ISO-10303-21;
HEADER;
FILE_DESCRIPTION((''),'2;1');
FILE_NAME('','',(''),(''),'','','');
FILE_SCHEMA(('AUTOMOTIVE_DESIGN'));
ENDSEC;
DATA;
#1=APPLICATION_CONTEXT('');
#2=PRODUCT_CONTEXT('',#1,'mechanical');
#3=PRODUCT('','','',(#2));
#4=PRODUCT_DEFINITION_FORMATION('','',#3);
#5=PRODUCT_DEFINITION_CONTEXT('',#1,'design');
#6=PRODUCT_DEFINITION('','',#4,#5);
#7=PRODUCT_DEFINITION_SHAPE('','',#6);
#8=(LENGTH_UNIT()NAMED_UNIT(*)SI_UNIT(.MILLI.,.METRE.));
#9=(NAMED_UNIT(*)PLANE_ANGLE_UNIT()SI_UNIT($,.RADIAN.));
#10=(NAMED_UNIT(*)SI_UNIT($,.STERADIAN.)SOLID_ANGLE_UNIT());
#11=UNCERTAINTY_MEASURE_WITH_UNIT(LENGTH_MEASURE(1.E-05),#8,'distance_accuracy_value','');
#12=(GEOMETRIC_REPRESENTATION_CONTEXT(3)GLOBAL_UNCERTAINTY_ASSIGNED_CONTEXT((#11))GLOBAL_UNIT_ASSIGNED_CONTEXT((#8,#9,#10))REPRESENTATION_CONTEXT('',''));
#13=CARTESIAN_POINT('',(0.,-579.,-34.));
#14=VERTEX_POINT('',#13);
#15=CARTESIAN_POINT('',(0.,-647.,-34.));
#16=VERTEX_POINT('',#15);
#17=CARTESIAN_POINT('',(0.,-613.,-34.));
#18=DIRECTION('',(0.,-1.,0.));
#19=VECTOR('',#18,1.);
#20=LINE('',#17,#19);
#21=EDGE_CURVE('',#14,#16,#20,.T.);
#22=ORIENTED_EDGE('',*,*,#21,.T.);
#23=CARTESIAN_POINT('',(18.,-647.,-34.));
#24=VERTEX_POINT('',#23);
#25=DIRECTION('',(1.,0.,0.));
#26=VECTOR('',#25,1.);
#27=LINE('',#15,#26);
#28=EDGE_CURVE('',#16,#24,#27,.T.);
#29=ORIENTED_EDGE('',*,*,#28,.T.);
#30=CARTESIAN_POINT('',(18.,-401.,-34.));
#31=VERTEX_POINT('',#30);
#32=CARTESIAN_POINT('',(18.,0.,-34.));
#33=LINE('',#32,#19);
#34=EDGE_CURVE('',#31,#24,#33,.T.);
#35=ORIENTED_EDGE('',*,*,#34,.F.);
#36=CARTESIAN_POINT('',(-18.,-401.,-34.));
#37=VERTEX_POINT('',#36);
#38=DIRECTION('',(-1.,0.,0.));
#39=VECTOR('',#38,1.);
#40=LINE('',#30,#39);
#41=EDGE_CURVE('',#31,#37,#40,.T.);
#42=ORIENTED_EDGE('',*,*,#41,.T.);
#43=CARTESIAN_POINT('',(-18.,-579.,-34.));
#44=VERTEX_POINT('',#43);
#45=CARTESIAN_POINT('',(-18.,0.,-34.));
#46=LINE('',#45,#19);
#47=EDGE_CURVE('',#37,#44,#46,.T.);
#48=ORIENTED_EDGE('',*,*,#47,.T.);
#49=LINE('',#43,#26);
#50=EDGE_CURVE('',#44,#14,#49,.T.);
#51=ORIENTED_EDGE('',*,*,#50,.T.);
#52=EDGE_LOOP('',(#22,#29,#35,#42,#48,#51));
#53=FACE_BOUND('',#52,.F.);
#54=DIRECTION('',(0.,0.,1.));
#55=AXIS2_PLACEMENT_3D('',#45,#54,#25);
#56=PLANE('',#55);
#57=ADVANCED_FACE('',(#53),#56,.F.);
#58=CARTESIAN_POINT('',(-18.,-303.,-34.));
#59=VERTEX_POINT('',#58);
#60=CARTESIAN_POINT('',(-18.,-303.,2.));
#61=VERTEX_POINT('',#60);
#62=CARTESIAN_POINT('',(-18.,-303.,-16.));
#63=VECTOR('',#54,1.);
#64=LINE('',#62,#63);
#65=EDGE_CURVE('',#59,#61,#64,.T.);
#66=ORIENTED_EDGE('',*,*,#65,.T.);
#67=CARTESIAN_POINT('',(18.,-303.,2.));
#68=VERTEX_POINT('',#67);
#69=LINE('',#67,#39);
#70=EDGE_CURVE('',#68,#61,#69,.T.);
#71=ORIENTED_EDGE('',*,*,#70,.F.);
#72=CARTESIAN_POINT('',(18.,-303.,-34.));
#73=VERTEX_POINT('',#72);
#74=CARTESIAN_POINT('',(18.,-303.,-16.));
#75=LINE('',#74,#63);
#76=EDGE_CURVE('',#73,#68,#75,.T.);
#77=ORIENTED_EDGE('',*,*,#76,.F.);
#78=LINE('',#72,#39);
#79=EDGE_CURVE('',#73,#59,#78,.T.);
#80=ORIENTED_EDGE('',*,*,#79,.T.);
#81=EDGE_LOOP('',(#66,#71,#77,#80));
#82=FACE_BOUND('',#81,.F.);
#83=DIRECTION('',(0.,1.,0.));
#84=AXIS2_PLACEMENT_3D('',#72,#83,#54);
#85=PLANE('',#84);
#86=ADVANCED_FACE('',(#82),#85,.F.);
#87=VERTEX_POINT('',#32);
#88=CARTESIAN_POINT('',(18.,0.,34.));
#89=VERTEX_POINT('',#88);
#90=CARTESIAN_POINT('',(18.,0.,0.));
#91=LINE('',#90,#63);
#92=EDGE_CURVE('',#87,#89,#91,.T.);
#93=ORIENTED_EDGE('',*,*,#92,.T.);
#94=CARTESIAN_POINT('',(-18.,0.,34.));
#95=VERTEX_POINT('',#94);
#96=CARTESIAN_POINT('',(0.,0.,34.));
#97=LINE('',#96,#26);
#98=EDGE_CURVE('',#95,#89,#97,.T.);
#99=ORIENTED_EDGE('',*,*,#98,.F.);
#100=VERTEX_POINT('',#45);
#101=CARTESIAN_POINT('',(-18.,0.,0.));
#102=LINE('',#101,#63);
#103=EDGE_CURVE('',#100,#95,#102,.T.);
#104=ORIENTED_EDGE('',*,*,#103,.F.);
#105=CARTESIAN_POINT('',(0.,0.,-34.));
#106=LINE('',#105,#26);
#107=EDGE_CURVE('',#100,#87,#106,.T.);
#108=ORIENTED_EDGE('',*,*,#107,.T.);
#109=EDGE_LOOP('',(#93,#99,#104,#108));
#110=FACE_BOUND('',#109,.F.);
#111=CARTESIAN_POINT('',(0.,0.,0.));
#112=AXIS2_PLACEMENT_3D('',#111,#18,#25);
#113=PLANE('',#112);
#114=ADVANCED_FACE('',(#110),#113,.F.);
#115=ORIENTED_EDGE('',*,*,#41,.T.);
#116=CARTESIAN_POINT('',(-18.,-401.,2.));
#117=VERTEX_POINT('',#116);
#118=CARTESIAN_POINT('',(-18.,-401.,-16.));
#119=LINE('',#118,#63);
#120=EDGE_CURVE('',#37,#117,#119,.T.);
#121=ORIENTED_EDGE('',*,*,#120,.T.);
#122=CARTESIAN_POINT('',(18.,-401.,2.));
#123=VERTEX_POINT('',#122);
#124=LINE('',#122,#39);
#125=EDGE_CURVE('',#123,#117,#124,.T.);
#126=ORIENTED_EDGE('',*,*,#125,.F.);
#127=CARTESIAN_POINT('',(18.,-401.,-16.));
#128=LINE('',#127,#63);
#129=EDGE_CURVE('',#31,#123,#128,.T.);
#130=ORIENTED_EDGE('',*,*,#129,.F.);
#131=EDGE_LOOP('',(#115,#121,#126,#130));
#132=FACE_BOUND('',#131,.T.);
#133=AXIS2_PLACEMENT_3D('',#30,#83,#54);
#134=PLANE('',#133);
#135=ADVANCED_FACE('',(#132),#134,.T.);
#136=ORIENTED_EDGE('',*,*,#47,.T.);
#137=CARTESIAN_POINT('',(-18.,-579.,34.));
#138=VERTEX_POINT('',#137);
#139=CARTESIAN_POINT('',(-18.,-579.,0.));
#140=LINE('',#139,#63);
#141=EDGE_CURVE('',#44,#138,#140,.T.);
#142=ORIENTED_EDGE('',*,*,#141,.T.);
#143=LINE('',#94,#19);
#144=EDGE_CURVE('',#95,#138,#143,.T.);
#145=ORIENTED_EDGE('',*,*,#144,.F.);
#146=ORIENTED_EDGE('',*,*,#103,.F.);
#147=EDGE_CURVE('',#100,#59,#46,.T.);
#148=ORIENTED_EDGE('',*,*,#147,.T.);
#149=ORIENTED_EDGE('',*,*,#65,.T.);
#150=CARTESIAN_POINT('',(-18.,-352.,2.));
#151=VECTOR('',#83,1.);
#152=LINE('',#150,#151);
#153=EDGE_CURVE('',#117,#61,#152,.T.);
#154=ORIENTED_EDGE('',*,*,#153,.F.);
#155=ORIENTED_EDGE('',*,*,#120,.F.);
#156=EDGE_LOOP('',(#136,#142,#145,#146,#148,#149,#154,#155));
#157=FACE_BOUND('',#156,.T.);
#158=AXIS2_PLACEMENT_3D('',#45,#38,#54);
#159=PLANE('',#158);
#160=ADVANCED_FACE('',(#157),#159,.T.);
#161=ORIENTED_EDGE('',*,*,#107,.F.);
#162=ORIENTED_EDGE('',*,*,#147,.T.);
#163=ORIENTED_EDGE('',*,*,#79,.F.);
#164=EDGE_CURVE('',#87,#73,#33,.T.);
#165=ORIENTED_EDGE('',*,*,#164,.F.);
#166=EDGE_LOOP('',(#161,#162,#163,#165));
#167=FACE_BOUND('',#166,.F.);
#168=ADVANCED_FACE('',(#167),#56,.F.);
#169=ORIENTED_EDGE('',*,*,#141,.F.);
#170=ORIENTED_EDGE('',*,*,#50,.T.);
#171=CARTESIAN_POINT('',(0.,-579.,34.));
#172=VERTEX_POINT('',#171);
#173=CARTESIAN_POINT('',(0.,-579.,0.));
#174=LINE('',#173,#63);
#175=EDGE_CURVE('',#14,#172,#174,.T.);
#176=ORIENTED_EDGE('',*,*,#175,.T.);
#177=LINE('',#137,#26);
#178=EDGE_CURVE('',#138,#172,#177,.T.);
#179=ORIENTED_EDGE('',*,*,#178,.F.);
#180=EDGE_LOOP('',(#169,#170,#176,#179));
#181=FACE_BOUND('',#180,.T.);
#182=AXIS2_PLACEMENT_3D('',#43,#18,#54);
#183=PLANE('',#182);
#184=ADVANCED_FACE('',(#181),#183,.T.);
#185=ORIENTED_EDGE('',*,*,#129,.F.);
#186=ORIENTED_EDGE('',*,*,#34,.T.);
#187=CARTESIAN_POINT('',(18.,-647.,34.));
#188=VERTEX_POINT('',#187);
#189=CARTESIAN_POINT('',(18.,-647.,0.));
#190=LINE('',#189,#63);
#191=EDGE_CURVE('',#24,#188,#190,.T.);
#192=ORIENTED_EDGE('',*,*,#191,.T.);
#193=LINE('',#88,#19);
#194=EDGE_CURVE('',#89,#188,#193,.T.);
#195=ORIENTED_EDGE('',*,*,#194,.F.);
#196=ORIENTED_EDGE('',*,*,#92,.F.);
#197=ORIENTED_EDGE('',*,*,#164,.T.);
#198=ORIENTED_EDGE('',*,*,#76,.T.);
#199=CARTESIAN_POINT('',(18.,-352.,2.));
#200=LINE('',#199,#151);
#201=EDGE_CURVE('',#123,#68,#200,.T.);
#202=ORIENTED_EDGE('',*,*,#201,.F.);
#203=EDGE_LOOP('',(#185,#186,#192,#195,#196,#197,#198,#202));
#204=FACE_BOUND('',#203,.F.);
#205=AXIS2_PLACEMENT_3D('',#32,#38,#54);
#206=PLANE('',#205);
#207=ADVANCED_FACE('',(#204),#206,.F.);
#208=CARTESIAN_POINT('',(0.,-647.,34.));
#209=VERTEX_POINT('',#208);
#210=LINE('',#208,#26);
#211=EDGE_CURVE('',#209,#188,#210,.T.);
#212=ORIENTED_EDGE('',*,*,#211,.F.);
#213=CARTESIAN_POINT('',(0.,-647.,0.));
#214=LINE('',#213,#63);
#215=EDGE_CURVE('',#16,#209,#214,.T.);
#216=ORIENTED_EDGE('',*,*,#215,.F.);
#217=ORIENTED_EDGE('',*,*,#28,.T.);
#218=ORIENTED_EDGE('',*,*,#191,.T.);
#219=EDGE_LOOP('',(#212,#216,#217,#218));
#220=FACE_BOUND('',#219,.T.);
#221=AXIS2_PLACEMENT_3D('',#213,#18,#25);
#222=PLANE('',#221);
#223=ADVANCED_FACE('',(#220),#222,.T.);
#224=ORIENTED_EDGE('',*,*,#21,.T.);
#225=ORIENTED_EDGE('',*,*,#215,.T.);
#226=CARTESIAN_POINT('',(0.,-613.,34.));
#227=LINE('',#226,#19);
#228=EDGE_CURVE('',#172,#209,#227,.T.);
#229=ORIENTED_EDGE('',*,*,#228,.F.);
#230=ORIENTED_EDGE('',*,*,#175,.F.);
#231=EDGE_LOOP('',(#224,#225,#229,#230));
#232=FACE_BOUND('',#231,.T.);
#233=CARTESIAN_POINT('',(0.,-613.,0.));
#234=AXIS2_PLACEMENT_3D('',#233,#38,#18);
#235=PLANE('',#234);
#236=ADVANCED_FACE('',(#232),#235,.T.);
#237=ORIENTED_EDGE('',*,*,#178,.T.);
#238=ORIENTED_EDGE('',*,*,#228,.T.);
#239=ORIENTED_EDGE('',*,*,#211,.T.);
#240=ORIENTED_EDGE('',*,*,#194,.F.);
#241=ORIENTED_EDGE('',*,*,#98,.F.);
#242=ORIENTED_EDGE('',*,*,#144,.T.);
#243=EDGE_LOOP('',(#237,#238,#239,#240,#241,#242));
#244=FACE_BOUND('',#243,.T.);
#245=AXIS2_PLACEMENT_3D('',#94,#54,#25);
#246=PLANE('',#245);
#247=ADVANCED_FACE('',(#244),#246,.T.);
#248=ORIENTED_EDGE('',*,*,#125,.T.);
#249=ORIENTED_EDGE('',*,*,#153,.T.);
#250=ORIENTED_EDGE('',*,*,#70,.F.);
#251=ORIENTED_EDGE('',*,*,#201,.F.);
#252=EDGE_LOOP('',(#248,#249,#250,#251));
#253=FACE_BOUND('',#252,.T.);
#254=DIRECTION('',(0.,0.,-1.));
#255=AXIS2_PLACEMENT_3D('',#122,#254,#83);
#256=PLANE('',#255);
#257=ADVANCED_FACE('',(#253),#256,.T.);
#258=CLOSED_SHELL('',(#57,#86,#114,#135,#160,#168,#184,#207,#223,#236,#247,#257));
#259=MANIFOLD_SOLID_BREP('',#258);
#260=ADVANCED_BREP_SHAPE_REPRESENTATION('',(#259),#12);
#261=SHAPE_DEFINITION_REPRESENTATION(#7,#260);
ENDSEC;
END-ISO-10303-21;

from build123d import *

# Parameters (mm, degrees)
F0_W     = 36
F0_H     = 68
F1_DEPTH = 647
F2_W     = 98
F2_H     = 36
F3_DEPTH = 36
F5_W     = 68
F5_H     = 68
F6_DEPTH = 18


with BuildPart() as f1:
    # F0 (on Front) → F1 (new body)
    with BuildSketch(Plane.XZ):
        Rectangle(F0_W, F0_H)
    extrude(amount=F1_DEPTH)

    # F2 (on face) → F3 (cut, through all)
    with BuildSketch(Plane.YZ.offset(18)):
        with Locations((-352, -16)):
            Rectangle(F2_W, F2_H)
    extrude(amount=-F3_DEPTH, mode=Mode.SUBTRACT)

    # F5 (on face) → F6 (cut)
    with BuildSketch(Plane(origin=(-18, 0, 0), x_dir=(0, -1, 0), z_dir=(-1, 0, 0))):
        with Locations((613, 0)):
            Rectangle(F5_W, F5_H)
    extrude(amount=-F6_DEPTH, mode=Mode.SUBTRACT)


solid = f1.part
